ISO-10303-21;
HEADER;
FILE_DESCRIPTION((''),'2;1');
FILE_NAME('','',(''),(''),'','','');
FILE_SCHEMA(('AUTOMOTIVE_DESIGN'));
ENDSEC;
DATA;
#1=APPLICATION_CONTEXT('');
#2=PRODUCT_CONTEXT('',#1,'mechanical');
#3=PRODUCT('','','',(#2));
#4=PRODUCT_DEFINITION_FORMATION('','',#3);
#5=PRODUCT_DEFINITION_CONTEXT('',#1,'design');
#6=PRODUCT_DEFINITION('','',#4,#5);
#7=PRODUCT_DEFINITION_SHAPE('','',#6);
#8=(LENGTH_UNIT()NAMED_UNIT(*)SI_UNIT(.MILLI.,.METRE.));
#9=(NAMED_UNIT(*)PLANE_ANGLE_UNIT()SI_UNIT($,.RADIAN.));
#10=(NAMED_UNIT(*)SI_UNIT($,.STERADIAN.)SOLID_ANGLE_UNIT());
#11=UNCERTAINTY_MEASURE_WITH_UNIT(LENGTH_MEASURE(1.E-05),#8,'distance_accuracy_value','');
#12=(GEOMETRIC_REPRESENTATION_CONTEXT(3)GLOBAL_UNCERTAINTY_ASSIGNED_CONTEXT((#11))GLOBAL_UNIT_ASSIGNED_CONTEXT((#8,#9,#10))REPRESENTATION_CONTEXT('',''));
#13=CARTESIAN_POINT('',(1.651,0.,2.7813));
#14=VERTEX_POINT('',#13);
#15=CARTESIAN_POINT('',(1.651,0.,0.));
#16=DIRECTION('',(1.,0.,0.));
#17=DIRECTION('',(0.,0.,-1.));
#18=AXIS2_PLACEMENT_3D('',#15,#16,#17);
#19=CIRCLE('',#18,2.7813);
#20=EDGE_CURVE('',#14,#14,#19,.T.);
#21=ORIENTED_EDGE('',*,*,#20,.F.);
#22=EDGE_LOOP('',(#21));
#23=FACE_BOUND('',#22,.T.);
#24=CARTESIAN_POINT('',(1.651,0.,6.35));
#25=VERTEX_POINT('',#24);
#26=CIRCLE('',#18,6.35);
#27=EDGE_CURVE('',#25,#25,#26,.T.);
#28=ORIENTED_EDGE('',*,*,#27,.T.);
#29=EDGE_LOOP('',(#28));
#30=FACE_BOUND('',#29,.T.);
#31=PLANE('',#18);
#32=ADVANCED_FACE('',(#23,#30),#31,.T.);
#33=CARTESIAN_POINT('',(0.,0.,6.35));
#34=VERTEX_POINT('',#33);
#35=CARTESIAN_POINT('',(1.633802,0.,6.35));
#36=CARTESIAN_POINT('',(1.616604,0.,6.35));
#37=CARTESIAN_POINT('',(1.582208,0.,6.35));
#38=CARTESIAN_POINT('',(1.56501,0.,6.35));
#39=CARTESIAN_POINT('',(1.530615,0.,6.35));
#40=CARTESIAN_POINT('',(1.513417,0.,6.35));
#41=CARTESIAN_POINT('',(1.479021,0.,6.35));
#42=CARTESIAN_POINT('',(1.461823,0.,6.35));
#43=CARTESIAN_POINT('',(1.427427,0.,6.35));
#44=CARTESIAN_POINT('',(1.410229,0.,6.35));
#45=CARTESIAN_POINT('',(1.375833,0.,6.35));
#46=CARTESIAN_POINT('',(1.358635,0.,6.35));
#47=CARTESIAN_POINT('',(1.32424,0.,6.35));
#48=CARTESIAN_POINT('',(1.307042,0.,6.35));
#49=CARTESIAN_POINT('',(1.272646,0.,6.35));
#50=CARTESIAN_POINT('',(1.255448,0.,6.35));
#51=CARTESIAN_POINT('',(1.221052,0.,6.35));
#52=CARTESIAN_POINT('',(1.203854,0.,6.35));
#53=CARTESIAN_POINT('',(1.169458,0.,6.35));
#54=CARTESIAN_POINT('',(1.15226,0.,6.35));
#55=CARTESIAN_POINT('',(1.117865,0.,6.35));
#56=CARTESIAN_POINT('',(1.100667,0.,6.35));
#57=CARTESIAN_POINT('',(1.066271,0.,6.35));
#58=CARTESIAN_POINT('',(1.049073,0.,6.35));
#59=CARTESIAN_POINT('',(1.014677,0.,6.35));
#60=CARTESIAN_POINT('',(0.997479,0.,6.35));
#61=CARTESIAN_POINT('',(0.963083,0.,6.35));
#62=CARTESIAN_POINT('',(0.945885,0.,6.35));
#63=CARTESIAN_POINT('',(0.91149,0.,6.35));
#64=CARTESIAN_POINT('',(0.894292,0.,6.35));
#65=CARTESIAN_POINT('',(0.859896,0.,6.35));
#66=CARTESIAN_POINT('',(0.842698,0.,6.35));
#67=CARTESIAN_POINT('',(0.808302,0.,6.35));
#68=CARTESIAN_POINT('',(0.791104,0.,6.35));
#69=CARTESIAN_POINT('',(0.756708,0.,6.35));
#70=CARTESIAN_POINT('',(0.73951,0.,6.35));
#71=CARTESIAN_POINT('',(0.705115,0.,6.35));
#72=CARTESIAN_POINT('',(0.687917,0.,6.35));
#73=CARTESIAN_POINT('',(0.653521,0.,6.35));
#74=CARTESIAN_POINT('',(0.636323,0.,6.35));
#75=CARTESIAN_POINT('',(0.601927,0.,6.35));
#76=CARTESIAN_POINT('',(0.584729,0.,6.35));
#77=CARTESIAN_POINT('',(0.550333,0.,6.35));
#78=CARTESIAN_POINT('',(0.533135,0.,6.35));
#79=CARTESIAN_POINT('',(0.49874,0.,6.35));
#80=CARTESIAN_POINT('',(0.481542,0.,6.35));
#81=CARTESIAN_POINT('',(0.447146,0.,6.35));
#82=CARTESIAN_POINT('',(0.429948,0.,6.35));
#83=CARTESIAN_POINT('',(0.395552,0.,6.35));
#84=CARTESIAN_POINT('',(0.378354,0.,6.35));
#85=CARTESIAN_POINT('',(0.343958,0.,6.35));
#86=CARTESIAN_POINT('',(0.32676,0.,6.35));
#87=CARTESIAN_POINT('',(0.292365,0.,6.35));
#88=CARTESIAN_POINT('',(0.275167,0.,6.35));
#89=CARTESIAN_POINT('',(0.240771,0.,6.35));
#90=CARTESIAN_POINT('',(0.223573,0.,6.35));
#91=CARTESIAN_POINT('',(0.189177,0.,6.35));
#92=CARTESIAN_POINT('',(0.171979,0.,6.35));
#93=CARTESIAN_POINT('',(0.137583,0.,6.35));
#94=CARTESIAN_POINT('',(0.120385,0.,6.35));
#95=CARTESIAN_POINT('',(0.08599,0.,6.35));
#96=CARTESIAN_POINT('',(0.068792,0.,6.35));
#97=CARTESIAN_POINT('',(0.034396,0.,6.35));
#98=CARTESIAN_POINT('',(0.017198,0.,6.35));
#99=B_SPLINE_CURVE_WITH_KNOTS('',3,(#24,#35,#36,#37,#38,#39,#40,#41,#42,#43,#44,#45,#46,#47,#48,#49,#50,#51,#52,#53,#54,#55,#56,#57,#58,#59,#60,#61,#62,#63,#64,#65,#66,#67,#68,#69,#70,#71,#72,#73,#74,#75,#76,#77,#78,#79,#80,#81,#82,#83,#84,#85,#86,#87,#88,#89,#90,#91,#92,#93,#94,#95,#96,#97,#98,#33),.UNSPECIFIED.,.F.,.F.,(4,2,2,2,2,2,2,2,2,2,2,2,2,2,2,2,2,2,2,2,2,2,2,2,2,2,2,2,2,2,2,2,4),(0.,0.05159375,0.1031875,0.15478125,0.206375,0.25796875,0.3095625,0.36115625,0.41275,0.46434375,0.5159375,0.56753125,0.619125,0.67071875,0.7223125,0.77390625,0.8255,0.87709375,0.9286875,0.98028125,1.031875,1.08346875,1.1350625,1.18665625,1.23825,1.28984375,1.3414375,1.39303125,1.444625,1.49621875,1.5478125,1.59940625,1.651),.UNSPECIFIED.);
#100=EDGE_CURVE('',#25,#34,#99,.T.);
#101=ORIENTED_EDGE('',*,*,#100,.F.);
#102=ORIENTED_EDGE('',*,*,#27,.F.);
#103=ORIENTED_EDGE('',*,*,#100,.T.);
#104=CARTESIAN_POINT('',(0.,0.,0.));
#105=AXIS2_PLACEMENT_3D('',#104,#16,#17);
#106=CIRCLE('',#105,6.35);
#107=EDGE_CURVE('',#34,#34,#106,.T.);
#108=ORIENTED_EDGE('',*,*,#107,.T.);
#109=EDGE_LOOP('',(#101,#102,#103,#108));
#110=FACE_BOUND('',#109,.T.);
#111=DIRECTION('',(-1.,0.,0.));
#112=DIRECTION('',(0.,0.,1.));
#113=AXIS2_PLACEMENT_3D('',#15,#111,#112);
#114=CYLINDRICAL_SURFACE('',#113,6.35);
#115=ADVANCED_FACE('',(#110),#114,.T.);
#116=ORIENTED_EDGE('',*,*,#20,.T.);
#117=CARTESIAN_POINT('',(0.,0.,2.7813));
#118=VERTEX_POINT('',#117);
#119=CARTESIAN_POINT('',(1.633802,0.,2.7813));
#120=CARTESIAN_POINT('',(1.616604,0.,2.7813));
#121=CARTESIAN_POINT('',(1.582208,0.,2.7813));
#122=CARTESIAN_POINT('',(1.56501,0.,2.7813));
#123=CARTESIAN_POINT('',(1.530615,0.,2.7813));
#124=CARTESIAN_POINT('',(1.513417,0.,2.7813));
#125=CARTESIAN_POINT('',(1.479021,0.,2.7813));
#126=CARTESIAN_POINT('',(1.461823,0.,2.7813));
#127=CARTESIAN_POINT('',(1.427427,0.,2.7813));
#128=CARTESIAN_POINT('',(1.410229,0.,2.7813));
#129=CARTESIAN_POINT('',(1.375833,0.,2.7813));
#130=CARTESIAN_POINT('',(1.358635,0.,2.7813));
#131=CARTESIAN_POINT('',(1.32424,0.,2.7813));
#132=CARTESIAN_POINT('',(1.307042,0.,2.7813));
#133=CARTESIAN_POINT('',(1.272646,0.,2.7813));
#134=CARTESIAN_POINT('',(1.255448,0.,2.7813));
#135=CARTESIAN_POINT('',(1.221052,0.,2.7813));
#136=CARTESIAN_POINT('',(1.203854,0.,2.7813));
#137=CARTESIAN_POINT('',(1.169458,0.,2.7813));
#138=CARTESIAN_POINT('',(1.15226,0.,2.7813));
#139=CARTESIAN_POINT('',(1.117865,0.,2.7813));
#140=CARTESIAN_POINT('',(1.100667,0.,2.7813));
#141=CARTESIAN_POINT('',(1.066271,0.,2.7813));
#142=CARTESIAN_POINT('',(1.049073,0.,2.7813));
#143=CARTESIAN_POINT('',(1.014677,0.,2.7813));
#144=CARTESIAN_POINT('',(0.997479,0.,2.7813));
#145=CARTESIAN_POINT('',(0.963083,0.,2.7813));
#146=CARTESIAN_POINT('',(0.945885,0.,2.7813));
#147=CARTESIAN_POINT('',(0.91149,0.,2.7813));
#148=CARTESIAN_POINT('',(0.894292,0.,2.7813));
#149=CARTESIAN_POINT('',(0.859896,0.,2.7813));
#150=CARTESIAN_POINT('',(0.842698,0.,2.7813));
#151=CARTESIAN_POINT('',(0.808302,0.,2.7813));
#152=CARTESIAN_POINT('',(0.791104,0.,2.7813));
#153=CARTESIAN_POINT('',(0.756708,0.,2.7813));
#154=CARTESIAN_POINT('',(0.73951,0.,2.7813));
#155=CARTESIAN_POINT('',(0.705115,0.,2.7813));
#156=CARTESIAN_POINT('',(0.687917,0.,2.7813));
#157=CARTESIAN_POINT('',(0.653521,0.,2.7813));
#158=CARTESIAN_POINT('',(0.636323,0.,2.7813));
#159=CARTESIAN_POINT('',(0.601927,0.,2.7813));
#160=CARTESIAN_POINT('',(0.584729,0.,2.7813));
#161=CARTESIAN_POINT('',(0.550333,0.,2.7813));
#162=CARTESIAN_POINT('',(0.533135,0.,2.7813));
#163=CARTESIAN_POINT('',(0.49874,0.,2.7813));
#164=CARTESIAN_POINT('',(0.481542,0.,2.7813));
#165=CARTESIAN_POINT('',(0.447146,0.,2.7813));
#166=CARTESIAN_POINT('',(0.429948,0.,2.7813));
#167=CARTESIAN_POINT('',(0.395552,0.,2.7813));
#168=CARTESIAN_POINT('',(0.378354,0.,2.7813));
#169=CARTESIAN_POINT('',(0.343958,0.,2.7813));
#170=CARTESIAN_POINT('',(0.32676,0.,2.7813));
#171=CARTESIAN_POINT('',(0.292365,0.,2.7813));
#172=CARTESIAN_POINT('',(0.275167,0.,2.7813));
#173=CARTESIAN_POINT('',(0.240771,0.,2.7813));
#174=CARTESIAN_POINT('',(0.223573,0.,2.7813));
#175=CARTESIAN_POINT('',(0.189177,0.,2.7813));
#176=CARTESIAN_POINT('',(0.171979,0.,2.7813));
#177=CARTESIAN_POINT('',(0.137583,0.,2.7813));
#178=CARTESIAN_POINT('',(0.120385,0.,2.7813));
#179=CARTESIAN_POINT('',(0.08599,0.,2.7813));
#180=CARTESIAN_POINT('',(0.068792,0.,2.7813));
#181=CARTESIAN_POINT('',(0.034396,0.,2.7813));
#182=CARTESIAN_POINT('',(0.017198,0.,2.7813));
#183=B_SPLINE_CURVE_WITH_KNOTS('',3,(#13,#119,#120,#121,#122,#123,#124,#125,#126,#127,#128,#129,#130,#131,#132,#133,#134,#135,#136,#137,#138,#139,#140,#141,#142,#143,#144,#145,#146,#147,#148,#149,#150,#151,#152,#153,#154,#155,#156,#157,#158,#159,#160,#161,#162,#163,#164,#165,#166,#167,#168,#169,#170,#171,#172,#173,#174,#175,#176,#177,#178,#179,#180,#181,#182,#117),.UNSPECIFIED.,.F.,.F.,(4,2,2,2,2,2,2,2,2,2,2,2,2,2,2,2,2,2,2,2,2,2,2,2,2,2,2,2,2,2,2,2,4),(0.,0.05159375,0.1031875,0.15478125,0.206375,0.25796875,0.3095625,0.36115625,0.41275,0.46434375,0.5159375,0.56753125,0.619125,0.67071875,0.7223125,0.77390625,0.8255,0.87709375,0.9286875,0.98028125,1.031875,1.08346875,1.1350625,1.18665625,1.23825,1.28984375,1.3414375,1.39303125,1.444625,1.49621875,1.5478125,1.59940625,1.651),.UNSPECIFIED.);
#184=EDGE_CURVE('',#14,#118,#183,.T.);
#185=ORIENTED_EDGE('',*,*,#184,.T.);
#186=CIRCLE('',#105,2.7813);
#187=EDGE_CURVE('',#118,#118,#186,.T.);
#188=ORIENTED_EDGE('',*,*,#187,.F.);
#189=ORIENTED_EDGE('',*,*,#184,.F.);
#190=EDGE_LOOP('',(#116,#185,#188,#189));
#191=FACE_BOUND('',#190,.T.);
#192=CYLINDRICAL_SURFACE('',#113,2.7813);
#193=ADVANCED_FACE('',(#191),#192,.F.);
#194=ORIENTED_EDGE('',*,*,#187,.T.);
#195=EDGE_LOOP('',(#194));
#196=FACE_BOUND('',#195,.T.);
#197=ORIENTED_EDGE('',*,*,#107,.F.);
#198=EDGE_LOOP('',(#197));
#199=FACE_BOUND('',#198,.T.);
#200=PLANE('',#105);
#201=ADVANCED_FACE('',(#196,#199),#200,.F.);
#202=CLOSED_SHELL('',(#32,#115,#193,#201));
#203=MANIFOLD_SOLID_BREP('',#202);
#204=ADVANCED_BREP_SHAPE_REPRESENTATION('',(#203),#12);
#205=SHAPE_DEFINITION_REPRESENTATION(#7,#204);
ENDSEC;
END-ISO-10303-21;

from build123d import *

# Parameters (mm, degrees)
SKETCH1_R           = 6.35
SKETCH1_R_2         = 2.7813
BOSS_EXTRUDE1_DEPTH = 1.651


with BuildPart() as part:
    # Sketch1 → Boss-Extrude1 (new body)
    with BuildSketch(Plane(origin=(0, 0, 0), x_dir=(0, 0, -1), z_dir=(1, 0, 0))):
        with Locations(Location((0, 0, 0), (0, 0, 180))):
            Circle(SKETCH1_R)
        with Locations(Location((0, 0, 0), (0, 0, 180))):
            Circle(SKETCH1_R_2, mode=Mode.SUBTRACT)
    extrude(amount=BOSS_EXTRUDE1_DEPTH)


solid = part.part
